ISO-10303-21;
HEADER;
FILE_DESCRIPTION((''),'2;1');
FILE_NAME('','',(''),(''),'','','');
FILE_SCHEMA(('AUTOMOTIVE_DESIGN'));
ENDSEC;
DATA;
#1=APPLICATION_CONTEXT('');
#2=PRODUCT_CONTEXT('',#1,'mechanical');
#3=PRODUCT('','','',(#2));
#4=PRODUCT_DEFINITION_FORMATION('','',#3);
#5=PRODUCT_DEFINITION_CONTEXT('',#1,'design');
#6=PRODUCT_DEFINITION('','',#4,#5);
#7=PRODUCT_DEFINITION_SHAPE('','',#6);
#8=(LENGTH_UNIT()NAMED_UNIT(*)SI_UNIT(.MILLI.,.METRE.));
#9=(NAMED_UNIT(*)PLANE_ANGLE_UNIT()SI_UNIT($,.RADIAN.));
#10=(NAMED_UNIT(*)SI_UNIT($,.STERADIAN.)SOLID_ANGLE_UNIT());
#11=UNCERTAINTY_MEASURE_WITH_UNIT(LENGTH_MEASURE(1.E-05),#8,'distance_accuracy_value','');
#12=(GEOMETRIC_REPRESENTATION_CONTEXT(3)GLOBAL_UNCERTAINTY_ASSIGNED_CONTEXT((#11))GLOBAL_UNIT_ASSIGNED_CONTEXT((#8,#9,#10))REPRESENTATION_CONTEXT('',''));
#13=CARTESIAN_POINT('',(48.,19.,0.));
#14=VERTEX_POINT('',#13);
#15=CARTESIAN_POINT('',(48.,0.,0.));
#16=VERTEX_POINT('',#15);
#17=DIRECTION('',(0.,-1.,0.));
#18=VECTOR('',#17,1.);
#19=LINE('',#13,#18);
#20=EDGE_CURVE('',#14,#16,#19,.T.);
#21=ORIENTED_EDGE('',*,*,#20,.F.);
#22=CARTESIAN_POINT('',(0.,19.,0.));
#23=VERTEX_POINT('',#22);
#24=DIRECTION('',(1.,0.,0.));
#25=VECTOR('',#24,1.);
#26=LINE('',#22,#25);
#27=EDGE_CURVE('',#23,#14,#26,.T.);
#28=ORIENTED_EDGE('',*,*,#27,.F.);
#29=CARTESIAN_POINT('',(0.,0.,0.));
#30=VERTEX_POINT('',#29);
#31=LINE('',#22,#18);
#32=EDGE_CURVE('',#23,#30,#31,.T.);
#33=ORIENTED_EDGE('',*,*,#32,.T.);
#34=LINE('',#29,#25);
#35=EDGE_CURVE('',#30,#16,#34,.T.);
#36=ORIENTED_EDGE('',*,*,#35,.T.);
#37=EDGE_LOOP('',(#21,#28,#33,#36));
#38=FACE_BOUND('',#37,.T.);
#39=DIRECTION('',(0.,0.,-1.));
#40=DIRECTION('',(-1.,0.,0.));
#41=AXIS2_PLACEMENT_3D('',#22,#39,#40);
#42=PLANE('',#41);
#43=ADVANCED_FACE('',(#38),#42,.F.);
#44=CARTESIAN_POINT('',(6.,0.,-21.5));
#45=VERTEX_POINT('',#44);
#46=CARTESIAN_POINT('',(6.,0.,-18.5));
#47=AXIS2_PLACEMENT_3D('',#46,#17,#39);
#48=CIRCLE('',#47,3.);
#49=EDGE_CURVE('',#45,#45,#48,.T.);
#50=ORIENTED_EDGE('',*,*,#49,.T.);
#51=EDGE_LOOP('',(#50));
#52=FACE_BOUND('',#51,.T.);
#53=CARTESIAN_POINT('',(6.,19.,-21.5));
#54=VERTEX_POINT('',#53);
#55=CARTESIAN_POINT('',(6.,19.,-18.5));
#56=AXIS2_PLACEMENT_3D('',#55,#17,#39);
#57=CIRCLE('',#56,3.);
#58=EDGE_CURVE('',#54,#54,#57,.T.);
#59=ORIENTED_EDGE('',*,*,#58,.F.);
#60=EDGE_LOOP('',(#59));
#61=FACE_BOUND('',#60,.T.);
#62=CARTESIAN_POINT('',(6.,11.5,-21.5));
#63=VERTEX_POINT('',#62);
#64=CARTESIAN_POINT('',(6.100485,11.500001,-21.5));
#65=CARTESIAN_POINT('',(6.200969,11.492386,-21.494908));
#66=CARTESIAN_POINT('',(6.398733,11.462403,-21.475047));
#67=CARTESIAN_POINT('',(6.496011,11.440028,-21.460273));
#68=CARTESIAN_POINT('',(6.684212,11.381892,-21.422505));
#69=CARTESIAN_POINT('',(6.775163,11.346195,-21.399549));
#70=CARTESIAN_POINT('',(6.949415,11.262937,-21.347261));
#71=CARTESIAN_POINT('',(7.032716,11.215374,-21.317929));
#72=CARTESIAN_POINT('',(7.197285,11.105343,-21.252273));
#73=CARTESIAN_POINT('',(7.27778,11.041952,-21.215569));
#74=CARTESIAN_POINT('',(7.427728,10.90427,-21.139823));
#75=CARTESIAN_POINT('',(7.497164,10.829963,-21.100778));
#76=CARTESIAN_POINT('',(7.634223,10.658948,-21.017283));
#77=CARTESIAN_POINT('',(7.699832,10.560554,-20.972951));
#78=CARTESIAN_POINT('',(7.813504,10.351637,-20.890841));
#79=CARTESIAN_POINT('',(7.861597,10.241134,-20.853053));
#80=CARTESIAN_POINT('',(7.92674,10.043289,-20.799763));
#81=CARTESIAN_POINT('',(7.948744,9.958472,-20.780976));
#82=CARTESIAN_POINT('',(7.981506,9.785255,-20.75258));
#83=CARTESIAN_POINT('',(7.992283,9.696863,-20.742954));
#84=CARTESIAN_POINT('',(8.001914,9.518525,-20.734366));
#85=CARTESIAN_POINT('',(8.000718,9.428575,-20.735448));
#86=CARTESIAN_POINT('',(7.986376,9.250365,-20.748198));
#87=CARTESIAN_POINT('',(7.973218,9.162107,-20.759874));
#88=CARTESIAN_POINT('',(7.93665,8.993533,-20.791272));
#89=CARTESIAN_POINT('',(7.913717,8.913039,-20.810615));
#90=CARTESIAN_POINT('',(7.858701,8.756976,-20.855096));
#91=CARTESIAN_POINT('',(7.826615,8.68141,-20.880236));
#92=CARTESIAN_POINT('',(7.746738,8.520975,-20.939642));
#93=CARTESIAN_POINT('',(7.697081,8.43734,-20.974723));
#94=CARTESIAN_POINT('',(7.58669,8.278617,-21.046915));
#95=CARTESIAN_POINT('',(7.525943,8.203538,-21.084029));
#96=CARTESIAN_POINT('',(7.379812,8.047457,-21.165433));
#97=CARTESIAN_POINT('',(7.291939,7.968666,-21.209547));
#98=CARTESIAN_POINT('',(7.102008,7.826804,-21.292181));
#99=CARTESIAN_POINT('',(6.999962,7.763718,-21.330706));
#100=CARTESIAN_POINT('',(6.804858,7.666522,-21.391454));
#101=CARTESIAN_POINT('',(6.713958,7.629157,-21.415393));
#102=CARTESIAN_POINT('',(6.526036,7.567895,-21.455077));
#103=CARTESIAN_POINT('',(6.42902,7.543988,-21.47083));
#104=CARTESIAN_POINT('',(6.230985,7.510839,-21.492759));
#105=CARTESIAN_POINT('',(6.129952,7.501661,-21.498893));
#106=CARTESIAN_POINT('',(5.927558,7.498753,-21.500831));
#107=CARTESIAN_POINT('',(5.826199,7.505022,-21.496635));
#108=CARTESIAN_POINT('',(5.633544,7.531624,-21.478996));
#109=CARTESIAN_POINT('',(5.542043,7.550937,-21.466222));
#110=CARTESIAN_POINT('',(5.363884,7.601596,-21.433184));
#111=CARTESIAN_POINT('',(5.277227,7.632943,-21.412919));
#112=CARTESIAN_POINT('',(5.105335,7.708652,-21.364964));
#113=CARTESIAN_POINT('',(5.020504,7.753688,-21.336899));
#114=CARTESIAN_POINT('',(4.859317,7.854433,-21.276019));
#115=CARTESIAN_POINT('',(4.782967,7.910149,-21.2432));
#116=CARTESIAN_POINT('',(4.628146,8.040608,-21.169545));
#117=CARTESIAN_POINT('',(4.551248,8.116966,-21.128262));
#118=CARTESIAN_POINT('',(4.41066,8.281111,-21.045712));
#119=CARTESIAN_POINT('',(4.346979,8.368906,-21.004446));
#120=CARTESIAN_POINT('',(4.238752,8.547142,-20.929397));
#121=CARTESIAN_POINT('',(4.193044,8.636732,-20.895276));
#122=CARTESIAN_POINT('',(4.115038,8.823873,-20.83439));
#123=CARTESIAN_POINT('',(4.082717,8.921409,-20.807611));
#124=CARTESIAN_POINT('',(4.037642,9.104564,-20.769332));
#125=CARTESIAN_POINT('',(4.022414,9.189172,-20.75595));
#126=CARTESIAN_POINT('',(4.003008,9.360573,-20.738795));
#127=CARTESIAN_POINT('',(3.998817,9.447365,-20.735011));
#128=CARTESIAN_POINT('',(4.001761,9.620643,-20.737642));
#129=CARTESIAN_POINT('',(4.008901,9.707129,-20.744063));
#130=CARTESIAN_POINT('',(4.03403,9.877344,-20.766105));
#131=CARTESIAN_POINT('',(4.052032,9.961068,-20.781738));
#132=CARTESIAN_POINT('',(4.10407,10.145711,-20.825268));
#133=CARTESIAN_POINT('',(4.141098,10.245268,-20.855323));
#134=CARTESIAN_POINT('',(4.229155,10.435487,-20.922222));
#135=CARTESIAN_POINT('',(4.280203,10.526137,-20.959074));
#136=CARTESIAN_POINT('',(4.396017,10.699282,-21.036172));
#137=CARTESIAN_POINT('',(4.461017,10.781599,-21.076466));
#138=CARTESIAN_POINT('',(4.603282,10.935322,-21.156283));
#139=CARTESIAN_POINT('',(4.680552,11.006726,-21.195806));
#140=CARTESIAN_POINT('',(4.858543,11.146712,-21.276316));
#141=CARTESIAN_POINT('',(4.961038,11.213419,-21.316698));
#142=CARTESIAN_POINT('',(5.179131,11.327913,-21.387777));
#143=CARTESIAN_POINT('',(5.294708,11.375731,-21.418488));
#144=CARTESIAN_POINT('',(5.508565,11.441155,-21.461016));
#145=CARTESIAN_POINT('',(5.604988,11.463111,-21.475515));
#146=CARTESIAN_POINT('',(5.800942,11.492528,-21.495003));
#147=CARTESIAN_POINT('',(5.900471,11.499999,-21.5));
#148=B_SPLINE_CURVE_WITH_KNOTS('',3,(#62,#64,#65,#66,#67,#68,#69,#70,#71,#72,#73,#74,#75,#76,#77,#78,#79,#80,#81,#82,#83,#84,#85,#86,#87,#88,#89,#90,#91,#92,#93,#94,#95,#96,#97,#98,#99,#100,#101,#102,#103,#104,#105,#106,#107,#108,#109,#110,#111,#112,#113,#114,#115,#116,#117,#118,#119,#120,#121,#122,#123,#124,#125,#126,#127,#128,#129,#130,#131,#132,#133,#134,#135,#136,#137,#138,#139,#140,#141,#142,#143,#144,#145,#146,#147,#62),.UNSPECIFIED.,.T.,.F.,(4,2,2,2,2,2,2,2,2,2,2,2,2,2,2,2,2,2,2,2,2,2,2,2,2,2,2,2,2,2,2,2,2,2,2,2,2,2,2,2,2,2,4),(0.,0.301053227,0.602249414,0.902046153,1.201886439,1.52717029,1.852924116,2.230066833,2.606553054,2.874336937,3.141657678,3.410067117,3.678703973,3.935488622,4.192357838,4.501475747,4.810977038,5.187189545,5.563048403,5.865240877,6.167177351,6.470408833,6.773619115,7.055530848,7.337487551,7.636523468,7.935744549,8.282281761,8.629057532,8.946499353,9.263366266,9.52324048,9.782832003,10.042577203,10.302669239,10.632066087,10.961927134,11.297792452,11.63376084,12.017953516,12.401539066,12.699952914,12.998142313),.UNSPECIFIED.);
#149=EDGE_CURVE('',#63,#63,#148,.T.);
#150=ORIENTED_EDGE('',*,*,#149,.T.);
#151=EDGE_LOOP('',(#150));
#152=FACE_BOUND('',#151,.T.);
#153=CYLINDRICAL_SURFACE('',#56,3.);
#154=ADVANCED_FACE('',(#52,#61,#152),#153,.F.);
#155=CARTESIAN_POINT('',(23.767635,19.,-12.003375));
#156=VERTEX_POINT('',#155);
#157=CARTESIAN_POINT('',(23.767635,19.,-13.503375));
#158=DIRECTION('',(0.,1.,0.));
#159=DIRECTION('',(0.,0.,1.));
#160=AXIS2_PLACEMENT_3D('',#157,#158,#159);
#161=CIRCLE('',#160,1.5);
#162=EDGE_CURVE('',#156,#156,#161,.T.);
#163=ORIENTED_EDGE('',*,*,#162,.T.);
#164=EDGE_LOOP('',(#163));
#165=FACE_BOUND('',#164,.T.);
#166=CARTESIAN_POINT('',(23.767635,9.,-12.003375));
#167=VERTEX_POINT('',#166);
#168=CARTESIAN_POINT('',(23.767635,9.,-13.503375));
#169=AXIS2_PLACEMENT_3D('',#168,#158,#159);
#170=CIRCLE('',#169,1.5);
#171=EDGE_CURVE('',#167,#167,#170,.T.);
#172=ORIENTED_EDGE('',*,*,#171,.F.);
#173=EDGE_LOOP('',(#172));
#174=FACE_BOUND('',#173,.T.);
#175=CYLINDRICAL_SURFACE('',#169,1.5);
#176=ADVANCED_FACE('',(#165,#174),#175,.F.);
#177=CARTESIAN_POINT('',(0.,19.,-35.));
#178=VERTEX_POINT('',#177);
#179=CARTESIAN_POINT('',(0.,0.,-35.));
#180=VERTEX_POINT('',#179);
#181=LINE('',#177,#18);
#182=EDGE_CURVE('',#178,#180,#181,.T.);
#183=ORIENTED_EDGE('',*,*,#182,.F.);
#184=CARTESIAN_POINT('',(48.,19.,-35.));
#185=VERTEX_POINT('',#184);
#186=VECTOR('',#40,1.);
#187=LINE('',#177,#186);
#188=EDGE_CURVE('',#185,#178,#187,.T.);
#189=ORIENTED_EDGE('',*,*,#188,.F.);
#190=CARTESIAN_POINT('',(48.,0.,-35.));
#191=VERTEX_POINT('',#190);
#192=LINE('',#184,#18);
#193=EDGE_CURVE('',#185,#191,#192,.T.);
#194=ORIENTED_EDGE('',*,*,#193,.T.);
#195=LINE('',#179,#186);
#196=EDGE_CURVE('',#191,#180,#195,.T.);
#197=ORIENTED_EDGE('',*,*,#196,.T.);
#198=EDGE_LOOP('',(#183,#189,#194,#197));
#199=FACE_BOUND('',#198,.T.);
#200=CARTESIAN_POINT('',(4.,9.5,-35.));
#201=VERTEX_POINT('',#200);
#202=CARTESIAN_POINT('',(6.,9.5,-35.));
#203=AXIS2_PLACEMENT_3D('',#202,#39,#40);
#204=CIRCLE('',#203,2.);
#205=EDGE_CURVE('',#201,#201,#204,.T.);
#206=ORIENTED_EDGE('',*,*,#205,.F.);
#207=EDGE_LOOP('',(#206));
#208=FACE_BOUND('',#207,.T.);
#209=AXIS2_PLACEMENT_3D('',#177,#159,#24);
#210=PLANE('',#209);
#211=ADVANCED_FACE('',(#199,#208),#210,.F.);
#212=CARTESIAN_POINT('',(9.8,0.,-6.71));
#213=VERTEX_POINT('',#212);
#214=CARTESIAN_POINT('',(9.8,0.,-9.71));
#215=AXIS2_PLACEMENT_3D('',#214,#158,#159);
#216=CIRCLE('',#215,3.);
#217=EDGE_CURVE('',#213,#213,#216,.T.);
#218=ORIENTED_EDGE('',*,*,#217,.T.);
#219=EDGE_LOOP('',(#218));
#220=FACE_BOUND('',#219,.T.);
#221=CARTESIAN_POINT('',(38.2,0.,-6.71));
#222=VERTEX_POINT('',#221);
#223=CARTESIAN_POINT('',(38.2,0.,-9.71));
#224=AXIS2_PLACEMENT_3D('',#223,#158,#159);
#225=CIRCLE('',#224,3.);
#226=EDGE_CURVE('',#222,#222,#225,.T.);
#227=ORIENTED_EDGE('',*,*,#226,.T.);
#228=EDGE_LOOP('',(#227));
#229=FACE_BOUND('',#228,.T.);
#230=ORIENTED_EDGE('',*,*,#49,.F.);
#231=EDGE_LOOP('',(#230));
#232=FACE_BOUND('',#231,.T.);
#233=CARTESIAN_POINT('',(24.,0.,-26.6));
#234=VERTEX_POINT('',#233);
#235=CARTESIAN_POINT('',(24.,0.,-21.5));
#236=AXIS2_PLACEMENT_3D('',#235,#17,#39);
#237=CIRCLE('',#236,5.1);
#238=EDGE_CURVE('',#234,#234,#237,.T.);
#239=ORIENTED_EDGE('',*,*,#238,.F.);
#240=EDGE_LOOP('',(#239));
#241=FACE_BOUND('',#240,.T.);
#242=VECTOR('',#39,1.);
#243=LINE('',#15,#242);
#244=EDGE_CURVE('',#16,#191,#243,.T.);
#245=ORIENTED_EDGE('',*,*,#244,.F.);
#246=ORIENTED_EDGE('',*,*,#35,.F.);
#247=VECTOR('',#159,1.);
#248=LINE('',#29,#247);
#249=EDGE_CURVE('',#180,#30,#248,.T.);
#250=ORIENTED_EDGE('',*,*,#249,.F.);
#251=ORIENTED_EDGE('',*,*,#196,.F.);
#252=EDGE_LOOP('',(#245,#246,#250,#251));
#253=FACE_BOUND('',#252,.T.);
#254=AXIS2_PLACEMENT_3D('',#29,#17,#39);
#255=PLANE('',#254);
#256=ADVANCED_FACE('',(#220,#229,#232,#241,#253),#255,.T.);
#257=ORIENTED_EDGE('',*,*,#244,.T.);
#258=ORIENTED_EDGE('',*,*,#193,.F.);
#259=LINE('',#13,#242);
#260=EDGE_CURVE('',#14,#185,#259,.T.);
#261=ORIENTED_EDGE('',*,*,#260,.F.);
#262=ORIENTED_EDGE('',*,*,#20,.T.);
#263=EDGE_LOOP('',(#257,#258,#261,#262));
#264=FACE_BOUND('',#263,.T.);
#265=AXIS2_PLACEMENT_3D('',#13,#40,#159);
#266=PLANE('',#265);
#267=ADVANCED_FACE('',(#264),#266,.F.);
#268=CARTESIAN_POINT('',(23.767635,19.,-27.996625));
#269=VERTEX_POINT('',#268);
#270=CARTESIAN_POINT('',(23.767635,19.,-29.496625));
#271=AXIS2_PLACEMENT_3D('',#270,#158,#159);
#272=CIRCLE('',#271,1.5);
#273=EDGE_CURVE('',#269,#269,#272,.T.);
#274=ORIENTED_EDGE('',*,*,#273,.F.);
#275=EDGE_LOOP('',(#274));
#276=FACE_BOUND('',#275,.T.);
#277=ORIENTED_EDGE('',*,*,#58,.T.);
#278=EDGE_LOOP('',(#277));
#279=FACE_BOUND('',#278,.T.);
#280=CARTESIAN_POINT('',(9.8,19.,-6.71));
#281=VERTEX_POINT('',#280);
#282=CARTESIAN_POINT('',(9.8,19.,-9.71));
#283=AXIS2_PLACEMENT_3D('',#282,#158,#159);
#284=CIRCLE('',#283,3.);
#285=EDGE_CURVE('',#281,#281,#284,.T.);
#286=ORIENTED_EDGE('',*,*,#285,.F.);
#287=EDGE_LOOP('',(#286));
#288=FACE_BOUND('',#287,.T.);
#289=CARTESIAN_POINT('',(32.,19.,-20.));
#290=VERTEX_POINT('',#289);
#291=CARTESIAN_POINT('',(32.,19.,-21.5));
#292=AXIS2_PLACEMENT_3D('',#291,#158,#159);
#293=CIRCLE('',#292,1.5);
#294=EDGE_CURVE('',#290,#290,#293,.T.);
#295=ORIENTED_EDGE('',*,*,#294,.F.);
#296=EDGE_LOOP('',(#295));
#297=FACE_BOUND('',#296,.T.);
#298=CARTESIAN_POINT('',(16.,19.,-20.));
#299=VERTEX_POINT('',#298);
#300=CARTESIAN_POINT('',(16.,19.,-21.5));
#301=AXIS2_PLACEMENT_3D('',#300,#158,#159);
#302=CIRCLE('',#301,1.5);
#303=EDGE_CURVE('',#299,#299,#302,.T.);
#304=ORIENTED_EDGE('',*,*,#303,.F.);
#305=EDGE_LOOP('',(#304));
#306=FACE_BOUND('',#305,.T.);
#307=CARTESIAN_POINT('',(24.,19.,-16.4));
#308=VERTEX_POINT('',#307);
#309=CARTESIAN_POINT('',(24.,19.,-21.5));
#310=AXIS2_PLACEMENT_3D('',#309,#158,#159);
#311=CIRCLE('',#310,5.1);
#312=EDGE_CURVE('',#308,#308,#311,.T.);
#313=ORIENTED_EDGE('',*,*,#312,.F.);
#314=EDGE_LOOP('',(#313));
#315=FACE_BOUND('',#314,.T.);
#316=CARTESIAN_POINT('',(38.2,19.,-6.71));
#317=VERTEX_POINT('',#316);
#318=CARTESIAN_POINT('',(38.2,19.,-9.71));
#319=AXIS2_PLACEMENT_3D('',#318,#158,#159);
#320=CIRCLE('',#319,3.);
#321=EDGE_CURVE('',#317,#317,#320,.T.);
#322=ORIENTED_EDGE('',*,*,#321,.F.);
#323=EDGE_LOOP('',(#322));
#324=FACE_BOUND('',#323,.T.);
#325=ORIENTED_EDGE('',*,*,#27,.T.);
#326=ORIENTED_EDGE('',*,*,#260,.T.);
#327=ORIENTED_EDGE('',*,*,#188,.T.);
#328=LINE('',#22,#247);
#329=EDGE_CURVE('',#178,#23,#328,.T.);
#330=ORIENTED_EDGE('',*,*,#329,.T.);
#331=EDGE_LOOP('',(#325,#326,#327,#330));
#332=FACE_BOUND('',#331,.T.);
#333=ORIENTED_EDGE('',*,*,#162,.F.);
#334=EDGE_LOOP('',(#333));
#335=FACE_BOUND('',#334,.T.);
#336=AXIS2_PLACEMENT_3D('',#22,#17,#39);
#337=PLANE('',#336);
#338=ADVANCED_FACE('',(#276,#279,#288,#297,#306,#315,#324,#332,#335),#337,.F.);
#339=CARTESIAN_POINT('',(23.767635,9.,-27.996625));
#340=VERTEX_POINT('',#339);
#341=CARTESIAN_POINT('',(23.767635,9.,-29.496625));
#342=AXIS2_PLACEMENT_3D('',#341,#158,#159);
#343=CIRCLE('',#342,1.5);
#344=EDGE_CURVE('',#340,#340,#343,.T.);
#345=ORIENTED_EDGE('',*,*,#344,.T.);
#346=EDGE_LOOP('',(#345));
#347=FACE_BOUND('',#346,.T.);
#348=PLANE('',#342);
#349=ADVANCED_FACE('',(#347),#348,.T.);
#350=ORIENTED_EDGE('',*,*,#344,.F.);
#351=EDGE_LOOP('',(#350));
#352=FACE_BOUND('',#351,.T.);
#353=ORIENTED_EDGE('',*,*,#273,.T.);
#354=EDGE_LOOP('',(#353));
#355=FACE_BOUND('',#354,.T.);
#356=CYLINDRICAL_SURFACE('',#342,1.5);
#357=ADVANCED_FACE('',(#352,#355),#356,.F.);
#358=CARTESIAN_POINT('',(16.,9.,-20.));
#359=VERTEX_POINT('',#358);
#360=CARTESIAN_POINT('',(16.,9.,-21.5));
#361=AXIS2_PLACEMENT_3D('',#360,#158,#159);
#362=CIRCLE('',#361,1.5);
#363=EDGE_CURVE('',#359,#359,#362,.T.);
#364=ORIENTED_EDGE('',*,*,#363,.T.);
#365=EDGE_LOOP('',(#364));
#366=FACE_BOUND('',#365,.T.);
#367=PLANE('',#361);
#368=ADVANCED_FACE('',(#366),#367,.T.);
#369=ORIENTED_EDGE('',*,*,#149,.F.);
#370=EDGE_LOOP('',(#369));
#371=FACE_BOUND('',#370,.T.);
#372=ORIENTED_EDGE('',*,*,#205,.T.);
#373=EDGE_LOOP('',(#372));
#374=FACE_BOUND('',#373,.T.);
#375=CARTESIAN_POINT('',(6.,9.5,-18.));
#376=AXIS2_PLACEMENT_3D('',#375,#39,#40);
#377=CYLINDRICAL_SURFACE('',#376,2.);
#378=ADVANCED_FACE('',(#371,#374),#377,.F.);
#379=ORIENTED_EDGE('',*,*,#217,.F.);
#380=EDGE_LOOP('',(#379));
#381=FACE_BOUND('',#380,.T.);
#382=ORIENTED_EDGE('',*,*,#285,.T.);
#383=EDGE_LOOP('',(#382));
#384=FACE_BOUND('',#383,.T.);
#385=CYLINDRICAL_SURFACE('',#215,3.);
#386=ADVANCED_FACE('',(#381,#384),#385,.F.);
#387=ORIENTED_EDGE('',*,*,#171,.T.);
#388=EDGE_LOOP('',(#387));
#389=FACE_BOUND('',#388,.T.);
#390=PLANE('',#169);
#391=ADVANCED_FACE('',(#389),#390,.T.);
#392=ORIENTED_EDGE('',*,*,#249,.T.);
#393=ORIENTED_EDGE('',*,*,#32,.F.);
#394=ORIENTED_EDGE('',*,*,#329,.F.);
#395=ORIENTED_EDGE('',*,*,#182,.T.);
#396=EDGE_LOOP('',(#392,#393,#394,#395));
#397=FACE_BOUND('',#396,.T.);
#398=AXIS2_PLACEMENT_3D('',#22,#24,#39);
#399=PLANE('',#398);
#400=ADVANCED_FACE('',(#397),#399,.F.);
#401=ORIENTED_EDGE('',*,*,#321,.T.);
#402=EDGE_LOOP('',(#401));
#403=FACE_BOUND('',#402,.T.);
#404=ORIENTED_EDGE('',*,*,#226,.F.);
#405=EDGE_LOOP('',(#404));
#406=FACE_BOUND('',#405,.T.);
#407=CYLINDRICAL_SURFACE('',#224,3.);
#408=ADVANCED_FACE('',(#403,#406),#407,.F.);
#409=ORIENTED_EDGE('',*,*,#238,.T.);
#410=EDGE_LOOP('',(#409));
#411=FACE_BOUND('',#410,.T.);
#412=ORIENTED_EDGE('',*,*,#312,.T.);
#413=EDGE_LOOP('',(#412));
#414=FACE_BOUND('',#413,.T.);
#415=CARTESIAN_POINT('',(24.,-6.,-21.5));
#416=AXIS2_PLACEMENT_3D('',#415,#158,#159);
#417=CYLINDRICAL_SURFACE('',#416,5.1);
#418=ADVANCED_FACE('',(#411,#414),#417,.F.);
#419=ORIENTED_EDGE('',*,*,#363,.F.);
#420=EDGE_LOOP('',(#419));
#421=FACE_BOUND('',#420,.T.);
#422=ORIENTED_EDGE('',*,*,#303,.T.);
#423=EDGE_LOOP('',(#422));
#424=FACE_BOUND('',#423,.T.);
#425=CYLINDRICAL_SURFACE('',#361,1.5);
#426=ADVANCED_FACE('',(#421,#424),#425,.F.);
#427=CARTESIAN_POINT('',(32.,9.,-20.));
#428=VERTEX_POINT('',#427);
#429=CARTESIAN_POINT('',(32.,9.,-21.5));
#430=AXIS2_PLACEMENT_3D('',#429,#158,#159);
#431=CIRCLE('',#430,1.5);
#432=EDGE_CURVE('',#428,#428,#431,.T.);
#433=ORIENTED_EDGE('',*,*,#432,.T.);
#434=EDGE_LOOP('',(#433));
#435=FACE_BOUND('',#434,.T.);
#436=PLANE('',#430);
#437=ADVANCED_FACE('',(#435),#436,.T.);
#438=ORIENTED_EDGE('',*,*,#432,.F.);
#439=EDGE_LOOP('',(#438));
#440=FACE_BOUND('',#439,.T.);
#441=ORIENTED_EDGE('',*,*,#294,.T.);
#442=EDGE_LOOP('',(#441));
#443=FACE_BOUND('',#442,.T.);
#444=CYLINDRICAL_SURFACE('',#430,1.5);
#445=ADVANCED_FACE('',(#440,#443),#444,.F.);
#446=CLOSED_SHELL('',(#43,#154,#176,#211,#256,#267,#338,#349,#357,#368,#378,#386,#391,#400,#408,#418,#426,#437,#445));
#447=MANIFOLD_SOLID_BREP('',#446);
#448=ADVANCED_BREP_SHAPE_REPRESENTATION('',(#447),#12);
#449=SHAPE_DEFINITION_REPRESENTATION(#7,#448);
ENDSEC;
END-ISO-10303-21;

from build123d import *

# Parameters (mm, degrees)
ESBO_O1_W                = 48
ESBO_O1_H                = 35
RESSALTO_EXTRUS_O1_DEPTH = 19
ESBO_O4_R                = 5.1
CORTE_EXTRUS_O3_DEPTH    = 25
ESBO_O7_R                = 3
CORTE_EXTRUS_O7_DEPTH    = 63.369864518
ESBO_O8_R                = 3
CORTE_EXTRUS_O8_DEPTH    = 63.369864518
ESBO_O9_R                = 2
CORTE_EXTRUS_O9_DEPTH    = 17
ESBO_O6_R                = 1.5
CORTE_EXTRUS_O10_DEPTH   = 10


with BuildPart() as part:
    # Esboço1 → Ressalto-extrusão1 (new body)
    with BuildSketch(Plane(origin=(0, 0, 0), x_dir=(1, 0, 0), z_dir=(0, 1, 0))):
        with Locations((24, 17.5)):
            Rectangle(ESBO_O1_W, ESBO_O1_H)
    extrude(amount=RESSALTO_EXTRUS_O1_DEPTH)

    # Esboço4 → Corte-extrusão3 (cut)
    with BuildSketch(Plane(origin=(0, 19, 0), x_dir=(1, 0, 0), z_dir=(0, 1, 0))):
        with Locations(Location((24, 21.5, 0), (0, 0, 270))):
            Circle(ESBO_O4_R)
    extrude(amount=-CORTE_EXTRUS_O3_DEPTH, mode=Mode.SUBTRACT)

    # Esboço7 → Corte-extrusão7 (cut, through all)
    with BuildSketch(Plane(origin=(0, 19, 0), x_dir=(1, 0, 0), z_dir=(0, 1, 0))):
        with Locations(Location((9.8, 9.71, 0), (0, 0, 270))):
            Circle(ESBO_O7_R)
        with Locations(Location((38.2, 9.71, 0), (0, 0, 270))):
            Circle(ESBO_O7_R)
    extrude(amount=-CORTE_EXTRUS_O7_DEPTH, mode=Mode.SUBTRACT)

    # Esboço8 → Corte-extrusão8 (cut, through all)
    with BuildSketch(Plane.XZ):
        with Locations(Location((6, -18.5, 0), (0, 0, 270))):
            Circle(ESBO_O8_R)
    extrude(amount=-CORTE_EXTRUS_O8_DEPTH, mode=Mode.SUBTRACT)

    # Esboço9 → Corte-extrusão9 (cut)
    with BuildSketch(Plane(origin=(0, 0, -35), x_dir=(-1, 0, 0), z_dir=(0, 0, -1))):
        with Locations((-6, 9.5)):
            Circle(ESBO_O9_R)
    extrude(amount=-CORTE_EXTRUS_O9_DEPTH, mode=Mode.SUBTRACT)

    # Esboço6 → Corte-extrusão10 (cut)
    with BuildSketch(Plane(origin=(0, 19, 0), x_dir=(1, 0, 0), z_dir=(0, 1, 0))):
        with Locations(Location((23.767635295, 29.496624703, 0), (0, 0, 270))):
            Circle(ESBO_O6_R)
        with Locations(Location((16, 21.5, 0), (0, 0, 270))):
            Circle(ESBO_O6_R)
        with Locations(Location((32, 21.5, 0), (0, 0, 270))):
            Circle(ESBO_O6_R)
        with Locations(Location((23.767635295, 13.503375297, 0), (0, 0, 270))):
            Circle(ESBO_O6_R)
    extrude(amount=-CORTE_EXTRUS_O10_DEPTH, mode=Mode.SUBTRACT)


solid = part.part
